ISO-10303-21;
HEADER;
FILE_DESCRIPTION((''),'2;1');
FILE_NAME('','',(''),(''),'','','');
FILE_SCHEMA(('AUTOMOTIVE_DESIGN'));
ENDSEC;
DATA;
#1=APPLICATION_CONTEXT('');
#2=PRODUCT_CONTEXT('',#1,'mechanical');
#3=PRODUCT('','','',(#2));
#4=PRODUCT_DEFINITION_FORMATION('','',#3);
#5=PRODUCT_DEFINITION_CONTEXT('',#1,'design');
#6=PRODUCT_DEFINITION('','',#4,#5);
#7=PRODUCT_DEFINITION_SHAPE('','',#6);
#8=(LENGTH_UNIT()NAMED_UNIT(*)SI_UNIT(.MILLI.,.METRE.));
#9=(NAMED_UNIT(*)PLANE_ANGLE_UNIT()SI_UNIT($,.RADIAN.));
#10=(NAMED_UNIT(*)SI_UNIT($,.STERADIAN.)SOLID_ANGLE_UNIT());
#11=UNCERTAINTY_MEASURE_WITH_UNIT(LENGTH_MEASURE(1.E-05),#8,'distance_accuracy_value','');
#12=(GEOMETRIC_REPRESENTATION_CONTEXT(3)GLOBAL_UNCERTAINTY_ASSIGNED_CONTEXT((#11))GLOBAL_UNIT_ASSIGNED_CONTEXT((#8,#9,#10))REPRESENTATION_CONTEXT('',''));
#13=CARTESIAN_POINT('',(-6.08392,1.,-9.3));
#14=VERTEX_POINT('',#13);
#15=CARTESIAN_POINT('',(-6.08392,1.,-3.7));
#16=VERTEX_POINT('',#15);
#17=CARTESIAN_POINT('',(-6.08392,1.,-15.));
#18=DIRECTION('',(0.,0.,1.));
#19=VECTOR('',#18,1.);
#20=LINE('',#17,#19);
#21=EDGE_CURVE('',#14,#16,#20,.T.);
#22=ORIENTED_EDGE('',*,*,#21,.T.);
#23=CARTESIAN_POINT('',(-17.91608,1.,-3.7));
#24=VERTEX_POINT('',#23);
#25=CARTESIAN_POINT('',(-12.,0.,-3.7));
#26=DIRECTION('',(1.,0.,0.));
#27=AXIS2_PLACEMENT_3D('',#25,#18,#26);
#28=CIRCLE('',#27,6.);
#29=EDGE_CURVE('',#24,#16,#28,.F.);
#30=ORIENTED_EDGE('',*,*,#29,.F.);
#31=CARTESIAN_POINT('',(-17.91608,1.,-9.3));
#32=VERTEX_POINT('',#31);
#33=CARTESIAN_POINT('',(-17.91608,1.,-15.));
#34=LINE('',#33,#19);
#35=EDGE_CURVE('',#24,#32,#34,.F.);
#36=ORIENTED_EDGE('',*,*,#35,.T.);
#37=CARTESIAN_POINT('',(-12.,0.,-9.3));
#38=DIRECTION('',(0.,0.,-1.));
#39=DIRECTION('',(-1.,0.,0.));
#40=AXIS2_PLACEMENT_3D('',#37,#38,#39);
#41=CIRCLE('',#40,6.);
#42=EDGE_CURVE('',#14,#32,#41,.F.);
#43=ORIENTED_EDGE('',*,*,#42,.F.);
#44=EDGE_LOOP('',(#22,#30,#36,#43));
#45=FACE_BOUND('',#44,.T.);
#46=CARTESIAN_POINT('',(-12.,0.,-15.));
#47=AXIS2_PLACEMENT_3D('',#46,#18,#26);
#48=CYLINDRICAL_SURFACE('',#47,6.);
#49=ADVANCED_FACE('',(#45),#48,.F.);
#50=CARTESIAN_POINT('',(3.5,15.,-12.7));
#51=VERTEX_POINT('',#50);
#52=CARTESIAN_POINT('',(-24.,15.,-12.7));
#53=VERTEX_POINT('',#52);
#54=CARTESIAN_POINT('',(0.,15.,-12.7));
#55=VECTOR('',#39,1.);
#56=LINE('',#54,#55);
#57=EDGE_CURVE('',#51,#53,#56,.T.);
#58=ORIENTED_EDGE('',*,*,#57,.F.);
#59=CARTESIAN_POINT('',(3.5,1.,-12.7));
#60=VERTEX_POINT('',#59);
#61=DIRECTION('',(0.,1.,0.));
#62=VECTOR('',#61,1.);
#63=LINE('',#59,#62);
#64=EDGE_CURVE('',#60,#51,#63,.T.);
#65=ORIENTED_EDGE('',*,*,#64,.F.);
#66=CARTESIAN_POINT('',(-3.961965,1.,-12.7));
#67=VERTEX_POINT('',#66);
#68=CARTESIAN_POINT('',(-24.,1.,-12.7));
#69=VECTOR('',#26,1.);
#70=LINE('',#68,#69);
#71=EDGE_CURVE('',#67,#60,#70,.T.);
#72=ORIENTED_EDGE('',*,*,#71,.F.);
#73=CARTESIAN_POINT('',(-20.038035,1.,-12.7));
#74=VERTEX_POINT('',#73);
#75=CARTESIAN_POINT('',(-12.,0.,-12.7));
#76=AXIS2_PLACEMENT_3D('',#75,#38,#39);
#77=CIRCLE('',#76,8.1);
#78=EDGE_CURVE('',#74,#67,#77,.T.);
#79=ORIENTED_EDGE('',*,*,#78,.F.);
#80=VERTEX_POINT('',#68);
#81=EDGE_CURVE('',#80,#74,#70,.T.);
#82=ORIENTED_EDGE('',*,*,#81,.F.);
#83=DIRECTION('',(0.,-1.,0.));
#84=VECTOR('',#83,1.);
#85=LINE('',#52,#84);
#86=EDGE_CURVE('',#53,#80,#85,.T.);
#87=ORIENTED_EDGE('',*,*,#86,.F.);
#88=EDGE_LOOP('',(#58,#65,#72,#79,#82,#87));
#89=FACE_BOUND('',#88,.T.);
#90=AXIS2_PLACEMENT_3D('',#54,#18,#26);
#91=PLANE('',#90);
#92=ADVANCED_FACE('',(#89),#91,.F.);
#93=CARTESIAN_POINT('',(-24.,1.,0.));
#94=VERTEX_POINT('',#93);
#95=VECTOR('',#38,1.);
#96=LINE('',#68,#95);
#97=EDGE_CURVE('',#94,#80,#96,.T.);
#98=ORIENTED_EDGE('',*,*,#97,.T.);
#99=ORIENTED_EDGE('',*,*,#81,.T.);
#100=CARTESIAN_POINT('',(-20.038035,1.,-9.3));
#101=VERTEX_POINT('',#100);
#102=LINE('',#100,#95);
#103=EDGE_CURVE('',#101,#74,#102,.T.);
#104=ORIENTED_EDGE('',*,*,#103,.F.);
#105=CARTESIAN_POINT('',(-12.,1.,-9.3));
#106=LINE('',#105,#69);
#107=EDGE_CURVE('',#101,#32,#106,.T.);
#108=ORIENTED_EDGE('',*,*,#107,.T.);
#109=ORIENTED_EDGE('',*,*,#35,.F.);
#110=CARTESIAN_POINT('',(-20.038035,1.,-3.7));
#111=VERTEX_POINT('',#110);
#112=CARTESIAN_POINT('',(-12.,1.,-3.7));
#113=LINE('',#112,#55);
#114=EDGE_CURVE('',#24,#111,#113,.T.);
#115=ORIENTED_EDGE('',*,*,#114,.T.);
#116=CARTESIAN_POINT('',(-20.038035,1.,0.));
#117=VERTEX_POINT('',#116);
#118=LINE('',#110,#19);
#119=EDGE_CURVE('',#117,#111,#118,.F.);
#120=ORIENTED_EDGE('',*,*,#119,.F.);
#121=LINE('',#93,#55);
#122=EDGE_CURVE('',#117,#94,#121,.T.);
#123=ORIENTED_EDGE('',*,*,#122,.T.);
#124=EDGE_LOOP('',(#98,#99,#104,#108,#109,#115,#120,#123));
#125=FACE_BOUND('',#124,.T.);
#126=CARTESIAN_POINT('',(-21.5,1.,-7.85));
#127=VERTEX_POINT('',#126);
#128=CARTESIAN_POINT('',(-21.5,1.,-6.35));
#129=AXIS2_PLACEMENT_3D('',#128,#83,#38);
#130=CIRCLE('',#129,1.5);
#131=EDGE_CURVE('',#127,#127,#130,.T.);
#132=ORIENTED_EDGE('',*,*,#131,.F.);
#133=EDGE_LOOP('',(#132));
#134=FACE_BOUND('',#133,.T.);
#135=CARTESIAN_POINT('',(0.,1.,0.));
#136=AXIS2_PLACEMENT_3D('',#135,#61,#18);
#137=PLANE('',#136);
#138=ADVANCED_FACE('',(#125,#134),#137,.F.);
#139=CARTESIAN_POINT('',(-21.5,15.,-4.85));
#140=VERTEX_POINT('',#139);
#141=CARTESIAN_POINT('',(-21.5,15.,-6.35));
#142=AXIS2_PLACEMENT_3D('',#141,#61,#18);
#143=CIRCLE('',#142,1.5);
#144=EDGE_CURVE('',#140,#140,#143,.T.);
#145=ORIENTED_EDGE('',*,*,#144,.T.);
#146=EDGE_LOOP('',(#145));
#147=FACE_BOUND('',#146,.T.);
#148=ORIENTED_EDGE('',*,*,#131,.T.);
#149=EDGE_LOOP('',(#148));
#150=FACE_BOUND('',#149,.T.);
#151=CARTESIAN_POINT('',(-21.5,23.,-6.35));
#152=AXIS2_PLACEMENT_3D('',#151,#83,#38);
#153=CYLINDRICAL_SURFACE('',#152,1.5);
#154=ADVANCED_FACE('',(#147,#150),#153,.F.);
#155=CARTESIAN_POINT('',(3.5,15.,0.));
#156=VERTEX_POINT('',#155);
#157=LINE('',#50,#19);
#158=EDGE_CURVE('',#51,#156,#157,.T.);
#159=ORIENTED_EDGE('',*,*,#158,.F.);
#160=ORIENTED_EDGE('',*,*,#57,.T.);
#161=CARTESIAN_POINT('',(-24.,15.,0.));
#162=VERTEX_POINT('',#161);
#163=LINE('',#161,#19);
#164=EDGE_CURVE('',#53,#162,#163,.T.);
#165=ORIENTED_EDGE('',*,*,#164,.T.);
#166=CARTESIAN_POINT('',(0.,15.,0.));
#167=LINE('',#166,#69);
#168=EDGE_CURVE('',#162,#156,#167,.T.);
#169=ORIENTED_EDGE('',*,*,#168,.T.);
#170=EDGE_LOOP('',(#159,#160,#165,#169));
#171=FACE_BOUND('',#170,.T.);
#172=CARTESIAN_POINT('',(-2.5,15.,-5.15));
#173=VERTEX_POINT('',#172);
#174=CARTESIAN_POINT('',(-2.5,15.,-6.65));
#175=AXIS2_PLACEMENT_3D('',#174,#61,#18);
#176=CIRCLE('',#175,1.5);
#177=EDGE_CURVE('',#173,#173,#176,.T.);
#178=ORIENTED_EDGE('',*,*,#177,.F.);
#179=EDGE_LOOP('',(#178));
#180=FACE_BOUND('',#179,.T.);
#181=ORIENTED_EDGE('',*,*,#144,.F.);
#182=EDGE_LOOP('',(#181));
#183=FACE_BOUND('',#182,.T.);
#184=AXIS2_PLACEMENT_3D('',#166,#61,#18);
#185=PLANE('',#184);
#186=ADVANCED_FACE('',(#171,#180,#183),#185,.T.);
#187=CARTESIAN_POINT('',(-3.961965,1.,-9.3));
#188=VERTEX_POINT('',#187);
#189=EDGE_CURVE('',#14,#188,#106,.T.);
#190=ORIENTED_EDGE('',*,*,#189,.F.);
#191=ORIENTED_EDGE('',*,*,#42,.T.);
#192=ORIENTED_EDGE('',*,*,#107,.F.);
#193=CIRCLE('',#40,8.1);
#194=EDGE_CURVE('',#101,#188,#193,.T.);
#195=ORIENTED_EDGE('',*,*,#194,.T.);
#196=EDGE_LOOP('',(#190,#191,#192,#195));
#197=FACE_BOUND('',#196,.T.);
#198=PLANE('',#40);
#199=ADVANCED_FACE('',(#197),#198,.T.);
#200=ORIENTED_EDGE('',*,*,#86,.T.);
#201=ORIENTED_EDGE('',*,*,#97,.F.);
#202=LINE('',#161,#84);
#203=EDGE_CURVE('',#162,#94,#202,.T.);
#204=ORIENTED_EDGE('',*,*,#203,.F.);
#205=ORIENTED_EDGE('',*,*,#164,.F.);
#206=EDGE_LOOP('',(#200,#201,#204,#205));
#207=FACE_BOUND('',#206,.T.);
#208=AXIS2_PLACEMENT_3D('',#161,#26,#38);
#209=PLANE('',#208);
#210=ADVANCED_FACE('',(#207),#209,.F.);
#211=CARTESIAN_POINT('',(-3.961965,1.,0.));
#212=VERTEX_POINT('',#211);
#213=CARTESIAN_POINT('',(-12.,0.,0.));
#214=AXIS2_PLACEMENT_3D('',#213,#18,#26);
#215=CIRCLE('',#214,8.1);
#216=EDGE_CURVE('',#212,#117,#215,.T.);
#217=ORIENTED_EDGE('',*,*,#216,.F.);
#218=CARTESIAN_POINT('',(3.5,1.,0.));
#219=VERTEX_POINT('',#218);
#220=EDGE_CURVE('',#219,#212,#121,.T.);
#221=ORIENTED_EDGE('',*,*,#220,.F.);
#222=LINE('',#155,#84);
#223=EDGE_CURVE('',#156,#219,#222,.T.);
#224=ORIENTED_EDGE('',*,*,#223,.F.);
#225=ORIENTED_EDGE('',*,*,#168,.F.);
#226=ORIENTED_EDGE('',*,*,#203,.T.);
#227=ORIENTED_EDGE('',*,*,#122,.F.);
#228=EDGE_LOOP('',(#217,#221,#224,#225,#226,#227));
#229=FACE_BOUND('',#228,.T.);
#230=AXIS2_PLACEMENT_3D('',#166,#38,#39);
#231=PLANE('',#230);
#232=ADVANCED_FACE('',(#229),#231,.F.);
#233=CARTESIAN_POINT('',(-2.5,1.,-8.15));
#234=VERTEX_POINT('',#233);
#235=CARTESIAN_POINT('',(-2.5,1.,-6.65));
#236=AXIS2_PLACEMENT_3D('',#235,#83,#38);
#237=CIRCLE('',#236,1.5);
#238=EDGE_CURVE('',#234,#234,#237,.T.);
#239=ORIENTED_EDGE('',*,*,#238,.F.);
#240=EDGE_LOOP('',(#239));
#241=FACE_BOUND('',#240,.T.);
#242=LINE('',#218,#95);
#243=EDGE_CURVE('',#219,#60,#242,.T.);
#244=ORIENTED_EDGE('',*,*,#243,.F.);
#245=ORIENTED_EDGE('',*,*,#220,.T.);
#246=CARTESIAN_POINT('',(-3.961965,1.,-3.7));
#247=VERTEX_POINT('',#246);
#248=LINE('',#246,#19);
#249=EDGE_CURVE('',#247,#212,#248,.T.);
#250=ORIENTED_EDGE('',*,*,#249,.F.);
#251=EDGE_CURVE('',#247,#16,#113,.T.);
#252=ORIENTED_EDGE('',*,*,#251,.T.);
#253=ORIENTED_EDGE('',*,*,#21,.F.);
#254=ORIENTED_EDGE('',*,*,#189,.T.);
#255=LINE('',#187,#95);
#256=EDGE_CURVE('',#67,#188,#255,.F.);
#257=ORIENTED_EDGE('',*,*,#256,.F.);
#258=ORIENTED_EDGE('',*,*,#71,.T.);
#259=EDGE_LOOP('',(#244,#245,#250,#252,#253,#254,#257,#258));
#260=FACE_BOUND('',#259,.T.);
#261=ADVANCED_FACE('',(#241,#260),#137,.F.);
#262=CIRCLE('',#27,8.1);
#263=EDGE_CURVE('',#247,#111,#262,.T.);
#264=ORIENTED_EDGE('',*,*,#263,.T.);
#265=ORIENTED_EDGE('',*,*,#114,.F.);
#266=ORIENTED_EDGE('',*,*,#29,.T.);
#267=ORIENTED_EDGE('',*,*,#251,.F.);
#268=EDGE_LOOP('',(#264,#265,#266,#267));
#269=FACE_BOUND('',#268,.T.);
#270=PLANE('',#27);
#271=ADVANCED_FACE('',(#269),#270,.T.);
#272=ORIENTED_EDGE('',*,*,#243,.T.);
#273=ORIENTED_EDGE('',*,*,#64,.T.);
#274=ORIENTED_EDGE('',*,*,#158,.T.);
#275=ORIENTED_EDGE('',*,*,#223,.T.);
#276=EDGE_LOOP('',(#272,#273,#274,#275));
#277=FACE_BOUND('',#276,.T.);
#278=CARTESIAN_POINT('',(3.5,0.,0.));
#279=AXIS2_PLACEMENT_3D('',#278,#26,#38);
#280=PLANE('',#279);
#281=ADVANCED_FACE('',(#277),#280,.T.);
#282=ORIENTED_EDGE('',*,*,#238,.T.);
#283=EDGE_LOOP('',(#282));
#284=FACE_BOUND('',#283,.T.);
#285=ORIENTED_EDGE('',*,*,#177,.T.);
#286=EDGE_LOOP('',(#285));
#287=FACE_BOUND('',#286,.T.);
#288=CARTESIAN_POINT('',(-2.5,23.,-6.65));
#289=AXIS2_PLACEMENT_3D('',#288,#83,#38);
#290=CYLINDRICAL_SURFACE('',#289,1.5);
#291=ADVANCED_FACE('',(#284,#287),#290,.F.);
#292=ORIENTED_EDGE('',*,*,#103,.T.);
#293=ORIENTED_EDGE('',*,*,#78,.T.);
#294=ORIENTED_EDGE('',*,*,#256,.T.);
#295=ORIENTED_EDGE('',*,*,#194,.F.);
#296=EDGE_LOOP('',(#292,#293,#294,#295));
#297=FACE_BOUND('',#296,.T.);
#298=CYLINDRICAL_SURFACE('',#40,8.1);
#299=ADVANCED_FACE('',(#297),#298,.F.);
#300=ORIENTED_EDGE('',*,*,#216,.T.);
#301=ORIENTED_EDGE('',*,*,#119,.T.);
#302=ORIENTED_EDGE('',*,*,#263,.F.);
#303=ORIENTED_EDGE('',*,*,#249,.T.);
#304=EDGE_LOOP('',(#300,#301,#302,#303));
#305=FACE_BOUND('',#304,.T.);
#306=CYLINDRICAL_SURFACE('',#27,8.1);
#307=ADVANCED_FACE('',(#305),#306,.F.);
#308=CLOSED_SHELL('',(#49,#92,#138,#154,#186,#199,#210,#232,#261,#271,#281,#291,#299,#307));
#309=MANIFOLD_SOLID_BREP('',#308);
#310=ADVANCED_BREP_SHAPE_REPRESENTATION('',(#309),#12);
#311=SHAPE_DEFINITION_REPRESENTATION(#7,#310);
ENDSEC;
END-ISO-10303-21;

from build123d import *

# Parameters (mm, degrees)
SKETCH1_W           = 24
SKETCH1_H           = 12.7
BOSS_EXTRUDE1_DEPTH = 15
SKETCH2_R           = 6
CUT_EXTRUDE1_DEPTH  = 15
SKETCH3_R           = 8.1
CUT_EXTRUDE2_DEPTH  = 3.7
CUT_EXTRUDE3_START  = -3.4
SKETCH5_R           = 8.1
CUT_EXTRUDE3_DEPTH  = 3.4
SKETCH6_W           = 24
SKETCH6_H           = 12.7
CUT_EXTRUDE4_DEPTH  = 1
SKETCH7_R           = 1.5
CUT_EXTRUDE5_DEPTH  = 22
SKETCH8_W           = 12.7
SKETCH8_H           = 14
BOSS_EXTRUDE2_DEPTH = 3.5


with BuildPart() as part:
    # Sketch1 → Boss-Extrude1 (new body)
    with BuildSketch(Plane(origin=(0, 0, 0), x_dir=(1, 0, 0), z_dir=(0, 1, 0))):
        with Locations((-12, 6.35)):
            Rectangle(SKETCH1_W, SKETCH1_H)
    extrude(amount=BOSS_EXTRUDE1_DEPTH)

    # Sketch2 → Cut-Extrude1 (cut)
    with BuildSketch(Plane.XY):
        with Locations((-12, 0)):
            Circle(SKETCH2_R)
    extrude(amount=-CUT_EXTRUDE1_DEPTH, mode=Mode.SUBTRACT)

    # Sketch3 → Cut-Extrude2 (cut)
    with BuildSketch(Plane.XY):
        with Locations((-12, 0)):
            Circle(SKETCH3_R)
    extrude(amount=-CUT_EXTRUDE2_DEPTH, mode=Mode.SUBTRACT)

    # Sketch5 → Cut-Extrude3 (cut)
    with BuildSketch(Plane(origin=(0, 0, -12.7), x_dir=(-1, 0, 0), z_dir=(0, 0, -1)).offset(CUT_EXTRUDE3_START)):
        with Locations((12, 0)):
            Circle(SKETCH5_R)
    extrude(amount=CUT_EXTRUDE3_DEPTH, mode=Mode.SUBTRACT)

    # Sketch6 → Cut-Extrude4 (cut)
    with BuildSketch(Plane.XZ):
        with Locations((-12, -6.35)):
            Rectangle(SKETCH6_W, SKETCH6_H)
    extrude(amount=-CUT_EXTRUDE4_DEPTH, mode=Mode.SUBTRACT)

    # Sketch7 → Cut-Extrude5 (cut)
    with BuildSketch(Plane.XZ.offset(-1)):
        with Locations(Location((-21.5, -6.35, 0), (0, 0, 270))):
            Circle(SKETCH7_R)
        with Locations(Location((-2.5, -6.65, 0), (0, 0, 270))):
            Circle(SKETCH7_R)
    extrude(amount=-CUT_EXTRUDE5_DEPTH, mode=Mode.SUBTRACT)

    # Sketch8 → Boss-Extrude2 (add)
    with BuildSketch(Plane(origin=(0, 0, 0), x_dir=(0, 0, -1), z_dir=(1, 0, 0))):
        with Locations((6.35, 8)):
            Rectangle(SKETCH8_W, SKETCH8_H)
    extrude(amount=BOSS_EXTRUDE2_DEPTH)


solid = part.part
